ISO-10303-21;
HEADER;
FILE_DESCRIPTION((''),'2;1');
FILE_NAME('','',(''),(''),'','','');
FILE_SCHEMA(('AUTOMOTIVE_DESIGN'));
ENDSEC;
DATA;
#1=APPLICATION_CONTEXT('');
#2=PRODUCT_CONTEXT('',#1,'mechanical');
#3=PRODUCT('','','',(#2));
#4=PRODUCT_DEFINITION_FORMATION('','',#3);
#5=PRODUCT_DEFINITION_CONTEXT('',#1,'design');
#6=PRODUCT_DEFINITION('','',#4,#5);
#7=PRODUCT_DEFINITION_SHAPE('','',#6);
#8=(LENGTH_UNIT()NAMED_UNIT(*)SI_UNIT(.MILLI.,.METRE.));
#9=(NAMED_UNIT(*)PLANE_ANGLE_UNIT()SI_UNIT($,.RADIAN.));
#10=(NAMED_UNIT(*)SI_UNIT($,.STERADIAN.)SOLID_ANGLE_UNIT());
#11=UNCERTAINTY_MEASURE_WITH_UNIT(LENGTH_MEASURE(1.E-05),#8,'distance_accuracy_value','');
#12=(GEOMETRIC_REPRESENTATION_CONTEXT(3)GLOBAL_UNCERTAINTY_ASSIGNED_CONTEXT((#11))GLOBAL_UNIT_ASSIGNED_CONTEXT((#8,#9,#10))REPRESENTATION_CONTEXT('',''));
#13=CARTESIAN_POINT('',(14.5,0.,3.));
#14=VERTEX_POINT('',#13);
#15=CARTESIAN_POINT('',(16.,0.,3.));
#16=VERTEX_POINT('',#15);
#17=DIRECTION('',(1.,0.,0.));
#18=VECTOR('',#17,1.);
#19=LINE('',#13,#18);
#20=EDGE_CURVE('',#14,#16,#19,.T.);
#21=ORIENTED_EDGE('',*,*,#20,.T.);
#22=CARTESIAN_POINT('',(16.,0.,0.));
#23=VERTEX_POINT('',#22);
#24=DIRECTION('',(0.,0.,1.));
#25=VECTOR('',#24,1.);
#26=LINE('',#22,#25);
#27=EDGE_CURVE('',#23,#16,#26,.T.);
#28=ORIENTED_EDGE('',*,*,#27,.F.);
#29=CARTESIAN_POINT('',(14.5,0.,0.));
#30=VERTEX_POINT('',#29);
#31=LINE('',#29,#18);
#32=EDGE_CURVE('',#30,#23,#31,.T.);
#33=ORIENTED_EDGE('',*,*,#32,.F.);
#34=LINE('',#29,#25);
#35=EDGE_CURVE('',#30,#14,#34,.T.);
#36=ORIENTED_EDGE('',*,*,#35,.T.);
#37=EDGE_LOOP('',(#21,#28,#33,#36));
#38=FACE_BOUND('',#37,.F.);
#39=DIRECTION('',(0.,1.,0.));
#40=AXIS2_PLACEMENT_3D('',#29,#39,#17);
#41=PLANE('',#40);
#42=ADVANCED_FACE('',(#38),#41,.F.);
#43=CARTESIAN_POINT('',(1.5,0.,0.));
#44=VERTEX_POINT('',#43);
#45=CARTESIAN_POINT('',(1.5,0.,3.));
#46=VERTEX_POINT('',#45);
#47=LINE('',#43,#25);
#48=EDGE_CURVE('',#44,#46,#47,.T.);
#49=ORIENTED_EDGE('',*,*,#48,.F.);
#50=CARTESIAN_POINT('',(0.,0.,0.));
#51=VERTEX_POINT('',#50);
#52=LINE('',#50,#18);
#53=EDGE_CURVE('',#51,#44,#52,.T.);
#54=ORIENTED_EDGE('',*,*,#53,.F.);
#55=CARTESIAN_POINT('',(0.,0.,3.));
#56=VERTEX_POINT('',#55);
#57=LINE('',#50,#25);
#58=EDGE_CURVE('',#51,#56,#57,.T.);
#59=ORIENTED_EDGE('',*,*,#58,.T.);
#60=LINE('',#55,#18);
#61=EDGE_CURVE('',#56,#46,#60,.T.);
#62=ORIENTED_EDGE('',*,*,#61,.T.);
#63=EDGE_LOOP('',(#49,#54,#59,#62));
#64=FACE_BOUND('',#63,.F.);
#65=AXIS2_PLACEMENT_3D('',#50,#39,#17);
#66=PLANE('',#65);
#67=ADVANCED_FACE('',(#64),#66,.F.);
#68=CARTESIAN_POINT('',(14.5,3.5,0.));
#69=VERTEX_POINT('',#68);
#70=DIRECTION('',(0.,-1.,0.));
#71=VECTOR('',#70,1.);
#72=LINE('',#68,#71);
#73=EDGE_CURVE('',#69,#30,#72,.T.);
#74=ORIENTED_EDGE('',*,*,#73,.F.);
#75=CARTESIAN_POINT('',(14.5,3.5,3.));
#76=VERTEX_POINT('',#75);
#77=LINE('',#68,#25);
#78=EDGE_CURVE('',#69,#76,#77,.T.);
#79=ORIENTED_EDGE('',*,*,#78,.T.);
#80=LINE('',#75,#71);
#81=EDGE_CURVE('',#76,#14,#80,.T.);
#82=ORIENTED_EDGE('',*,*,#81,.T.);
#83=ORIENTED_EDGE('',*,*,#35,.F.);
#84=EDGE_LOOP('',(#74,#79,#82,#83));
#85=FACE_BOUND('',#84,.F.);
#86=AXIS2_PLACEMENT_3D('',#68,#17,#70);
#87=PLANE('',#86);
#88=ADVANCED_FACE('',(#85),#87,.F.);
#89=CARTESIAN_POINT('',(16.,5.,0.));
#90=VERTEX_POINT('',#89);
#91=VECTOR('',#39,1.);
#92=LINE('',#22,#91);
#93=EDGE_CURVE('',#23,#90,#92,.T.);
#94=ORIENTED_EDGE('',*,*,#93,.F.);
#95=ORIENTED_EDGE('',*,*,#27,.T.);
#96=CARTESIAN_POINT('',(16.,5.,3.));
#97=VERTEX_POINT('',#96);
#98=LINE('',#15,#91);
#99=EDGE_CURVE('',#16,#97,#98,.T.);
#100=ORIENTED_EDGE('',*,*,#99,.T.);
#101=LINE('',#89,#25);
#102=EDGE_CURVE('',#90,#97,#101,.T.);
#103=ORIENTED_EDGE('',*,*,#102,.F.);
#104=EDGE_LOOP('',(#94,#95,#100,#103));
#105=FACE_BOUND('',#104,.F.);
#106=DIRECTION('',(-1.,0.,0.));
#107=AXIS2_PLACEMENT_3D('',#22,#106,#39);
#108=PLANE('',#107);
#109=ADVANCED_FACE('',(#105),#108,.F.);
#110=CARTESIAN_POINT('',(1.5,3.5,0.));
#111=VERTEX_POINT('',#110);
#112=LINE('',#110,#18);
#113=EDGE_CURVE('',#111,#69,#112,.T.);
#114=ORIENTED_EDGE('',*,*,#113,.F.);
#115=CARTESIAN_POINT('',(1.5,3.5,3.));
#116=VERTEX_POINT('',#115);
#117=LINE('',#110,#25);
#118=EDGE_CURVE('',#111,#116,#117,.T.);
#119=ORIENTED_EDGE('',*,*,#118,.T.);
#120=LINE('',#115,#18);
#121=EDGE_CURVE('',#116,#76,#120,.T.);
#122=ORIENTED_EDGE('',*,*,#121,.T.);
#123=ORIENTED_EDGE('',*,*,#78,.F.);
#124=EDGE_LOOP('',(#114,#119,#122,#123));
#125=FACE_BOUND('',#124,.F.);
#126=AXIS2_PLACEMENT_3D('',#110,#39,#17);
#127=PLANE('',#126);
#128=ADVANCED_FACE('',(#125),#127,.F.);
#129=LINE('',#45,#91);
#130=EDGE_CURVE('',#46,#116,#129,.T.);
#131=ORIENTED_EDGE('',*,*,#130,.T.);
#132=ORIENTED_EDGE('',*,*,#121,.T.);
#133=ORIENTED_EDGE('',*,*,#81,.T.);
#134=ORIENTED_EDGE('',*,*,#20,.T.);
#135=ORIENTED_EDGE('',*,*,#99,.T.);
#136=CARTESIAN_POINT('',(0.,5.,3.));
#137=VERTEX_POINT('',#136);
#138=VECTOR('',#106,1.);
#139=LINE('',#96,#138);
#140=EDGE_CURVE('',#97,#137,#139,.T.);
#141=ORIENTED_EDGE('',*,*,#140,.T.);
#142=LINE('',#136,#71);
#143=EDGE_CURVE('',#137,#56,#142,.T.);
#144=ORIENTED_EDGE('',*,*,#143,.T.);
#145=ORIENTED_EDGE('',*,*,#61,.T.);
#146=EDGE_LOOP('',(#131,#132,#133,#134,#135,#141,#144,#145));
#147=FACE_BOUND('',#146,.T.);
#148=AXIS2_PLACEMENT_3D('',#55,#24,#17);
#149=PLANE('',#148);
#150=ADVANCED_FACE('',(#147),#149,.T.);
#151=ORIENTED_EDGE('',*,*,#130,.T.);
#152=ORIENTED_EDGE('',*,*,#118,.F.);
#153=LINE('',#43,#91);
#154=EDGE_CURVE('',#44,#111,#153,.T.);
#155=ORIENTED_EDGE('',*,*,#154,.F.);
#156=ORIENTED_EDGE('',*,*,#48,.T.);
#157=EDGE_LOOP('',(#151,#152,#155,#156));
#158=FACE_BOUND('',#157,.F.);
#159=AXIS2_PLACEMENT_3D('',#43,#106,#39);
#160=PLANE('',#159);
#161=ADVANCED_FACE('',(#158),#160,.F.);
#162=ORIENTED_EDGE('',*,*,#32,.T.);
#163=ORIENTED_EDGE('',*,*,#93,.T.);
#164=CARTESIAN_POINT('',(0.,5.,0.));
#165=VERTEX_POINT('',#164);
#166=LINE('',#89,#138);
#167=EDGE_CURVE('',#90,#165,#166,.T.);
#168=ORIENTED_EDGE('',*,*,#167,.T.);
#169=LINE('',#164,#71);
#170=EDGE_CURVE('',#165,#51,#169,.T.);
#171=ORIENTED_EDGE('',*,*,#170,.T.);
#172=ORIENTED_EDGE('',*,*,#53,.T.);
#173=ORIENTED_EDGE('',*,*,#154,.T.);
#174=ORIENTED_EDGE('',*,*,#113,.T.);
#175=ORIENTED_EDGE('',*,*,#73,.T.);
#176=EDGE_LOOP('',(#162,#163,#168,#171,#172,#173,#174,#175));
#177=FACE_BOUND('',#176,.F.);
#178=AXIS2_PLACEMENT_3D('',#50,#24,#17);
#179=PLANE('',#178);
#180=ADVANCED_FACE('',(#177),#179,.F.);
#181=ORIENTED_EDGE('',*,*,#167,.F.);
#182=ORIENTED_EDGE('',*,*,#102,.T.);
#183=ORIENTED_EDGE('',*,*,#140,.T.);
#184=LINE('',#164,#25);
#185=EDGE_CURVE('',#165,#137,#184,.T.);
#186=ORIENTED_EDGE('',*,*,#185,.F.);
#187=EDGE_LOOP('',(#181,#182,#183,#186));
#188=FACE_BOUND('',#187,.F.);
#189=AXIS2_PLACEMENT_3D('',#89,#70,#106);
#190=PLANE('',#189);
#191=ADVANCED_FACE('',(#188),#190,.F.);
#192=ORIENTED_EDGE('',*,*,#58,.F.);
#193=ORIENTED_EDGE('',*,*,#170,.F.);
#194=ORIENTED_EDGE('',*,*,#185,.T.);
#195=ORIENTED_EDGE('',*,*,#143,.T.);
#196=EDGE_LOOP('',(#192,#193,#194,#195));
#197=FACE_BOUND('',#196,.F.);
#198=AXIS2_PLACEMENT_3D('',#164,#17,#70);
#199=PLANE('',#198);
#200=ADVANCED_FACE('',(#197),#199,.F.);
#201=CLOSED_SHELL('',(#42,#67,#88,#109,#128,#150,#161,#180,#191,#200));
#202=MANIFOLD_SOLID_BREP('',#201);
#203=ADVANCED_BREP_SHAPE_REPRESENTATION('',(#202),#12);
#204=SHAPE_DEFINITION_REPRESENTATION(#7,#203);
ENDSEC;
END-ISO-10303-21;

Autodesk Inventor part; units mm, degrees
ref_plane "YZ Plane" through (0, 0, 0) normal (1, 0, 0) x (0, 1, 0)
ref_plane "XZ Plane" through (0, 0, 0) normal (0, 1, 0) x (-1, 0, 0)
ref_plane "XY Plane" through (0, 0, 0) normal (0, 0, 1) x (1, 0, 0)
sketch "Sketch1" plane through (0, 0, 0) normal (0, 0, 1) x (1, 0, 0)
  line L0 (0, 0) -> (1.5, 0)
  line L1 (1.5, 0) -> (1.5, 3.5)
  line L2 (1.5, 3.5) -> (14.5, 3.5)
  line L3 (14.5, 3.5) -> (14.5, 0)
  line L4 (14.5, 0) -> (16, 0)
  line L5 (16, 0) -> (16, 5)
  line L6 (16, 5) -> (0, 5)
  line L7 (0, 5) -> (0, 0)
  point P0 (15.25, 0)
  dimension "d0" = 1.5
  dimension "d1" = 3.5
  dimension "d2" = 13
  dimension "d3" = 1.5
  dimension "d7" = 1.5
extrude "Extrusion1" add sketch "Sketch1" along normal blind 3
properties part number "thing"
